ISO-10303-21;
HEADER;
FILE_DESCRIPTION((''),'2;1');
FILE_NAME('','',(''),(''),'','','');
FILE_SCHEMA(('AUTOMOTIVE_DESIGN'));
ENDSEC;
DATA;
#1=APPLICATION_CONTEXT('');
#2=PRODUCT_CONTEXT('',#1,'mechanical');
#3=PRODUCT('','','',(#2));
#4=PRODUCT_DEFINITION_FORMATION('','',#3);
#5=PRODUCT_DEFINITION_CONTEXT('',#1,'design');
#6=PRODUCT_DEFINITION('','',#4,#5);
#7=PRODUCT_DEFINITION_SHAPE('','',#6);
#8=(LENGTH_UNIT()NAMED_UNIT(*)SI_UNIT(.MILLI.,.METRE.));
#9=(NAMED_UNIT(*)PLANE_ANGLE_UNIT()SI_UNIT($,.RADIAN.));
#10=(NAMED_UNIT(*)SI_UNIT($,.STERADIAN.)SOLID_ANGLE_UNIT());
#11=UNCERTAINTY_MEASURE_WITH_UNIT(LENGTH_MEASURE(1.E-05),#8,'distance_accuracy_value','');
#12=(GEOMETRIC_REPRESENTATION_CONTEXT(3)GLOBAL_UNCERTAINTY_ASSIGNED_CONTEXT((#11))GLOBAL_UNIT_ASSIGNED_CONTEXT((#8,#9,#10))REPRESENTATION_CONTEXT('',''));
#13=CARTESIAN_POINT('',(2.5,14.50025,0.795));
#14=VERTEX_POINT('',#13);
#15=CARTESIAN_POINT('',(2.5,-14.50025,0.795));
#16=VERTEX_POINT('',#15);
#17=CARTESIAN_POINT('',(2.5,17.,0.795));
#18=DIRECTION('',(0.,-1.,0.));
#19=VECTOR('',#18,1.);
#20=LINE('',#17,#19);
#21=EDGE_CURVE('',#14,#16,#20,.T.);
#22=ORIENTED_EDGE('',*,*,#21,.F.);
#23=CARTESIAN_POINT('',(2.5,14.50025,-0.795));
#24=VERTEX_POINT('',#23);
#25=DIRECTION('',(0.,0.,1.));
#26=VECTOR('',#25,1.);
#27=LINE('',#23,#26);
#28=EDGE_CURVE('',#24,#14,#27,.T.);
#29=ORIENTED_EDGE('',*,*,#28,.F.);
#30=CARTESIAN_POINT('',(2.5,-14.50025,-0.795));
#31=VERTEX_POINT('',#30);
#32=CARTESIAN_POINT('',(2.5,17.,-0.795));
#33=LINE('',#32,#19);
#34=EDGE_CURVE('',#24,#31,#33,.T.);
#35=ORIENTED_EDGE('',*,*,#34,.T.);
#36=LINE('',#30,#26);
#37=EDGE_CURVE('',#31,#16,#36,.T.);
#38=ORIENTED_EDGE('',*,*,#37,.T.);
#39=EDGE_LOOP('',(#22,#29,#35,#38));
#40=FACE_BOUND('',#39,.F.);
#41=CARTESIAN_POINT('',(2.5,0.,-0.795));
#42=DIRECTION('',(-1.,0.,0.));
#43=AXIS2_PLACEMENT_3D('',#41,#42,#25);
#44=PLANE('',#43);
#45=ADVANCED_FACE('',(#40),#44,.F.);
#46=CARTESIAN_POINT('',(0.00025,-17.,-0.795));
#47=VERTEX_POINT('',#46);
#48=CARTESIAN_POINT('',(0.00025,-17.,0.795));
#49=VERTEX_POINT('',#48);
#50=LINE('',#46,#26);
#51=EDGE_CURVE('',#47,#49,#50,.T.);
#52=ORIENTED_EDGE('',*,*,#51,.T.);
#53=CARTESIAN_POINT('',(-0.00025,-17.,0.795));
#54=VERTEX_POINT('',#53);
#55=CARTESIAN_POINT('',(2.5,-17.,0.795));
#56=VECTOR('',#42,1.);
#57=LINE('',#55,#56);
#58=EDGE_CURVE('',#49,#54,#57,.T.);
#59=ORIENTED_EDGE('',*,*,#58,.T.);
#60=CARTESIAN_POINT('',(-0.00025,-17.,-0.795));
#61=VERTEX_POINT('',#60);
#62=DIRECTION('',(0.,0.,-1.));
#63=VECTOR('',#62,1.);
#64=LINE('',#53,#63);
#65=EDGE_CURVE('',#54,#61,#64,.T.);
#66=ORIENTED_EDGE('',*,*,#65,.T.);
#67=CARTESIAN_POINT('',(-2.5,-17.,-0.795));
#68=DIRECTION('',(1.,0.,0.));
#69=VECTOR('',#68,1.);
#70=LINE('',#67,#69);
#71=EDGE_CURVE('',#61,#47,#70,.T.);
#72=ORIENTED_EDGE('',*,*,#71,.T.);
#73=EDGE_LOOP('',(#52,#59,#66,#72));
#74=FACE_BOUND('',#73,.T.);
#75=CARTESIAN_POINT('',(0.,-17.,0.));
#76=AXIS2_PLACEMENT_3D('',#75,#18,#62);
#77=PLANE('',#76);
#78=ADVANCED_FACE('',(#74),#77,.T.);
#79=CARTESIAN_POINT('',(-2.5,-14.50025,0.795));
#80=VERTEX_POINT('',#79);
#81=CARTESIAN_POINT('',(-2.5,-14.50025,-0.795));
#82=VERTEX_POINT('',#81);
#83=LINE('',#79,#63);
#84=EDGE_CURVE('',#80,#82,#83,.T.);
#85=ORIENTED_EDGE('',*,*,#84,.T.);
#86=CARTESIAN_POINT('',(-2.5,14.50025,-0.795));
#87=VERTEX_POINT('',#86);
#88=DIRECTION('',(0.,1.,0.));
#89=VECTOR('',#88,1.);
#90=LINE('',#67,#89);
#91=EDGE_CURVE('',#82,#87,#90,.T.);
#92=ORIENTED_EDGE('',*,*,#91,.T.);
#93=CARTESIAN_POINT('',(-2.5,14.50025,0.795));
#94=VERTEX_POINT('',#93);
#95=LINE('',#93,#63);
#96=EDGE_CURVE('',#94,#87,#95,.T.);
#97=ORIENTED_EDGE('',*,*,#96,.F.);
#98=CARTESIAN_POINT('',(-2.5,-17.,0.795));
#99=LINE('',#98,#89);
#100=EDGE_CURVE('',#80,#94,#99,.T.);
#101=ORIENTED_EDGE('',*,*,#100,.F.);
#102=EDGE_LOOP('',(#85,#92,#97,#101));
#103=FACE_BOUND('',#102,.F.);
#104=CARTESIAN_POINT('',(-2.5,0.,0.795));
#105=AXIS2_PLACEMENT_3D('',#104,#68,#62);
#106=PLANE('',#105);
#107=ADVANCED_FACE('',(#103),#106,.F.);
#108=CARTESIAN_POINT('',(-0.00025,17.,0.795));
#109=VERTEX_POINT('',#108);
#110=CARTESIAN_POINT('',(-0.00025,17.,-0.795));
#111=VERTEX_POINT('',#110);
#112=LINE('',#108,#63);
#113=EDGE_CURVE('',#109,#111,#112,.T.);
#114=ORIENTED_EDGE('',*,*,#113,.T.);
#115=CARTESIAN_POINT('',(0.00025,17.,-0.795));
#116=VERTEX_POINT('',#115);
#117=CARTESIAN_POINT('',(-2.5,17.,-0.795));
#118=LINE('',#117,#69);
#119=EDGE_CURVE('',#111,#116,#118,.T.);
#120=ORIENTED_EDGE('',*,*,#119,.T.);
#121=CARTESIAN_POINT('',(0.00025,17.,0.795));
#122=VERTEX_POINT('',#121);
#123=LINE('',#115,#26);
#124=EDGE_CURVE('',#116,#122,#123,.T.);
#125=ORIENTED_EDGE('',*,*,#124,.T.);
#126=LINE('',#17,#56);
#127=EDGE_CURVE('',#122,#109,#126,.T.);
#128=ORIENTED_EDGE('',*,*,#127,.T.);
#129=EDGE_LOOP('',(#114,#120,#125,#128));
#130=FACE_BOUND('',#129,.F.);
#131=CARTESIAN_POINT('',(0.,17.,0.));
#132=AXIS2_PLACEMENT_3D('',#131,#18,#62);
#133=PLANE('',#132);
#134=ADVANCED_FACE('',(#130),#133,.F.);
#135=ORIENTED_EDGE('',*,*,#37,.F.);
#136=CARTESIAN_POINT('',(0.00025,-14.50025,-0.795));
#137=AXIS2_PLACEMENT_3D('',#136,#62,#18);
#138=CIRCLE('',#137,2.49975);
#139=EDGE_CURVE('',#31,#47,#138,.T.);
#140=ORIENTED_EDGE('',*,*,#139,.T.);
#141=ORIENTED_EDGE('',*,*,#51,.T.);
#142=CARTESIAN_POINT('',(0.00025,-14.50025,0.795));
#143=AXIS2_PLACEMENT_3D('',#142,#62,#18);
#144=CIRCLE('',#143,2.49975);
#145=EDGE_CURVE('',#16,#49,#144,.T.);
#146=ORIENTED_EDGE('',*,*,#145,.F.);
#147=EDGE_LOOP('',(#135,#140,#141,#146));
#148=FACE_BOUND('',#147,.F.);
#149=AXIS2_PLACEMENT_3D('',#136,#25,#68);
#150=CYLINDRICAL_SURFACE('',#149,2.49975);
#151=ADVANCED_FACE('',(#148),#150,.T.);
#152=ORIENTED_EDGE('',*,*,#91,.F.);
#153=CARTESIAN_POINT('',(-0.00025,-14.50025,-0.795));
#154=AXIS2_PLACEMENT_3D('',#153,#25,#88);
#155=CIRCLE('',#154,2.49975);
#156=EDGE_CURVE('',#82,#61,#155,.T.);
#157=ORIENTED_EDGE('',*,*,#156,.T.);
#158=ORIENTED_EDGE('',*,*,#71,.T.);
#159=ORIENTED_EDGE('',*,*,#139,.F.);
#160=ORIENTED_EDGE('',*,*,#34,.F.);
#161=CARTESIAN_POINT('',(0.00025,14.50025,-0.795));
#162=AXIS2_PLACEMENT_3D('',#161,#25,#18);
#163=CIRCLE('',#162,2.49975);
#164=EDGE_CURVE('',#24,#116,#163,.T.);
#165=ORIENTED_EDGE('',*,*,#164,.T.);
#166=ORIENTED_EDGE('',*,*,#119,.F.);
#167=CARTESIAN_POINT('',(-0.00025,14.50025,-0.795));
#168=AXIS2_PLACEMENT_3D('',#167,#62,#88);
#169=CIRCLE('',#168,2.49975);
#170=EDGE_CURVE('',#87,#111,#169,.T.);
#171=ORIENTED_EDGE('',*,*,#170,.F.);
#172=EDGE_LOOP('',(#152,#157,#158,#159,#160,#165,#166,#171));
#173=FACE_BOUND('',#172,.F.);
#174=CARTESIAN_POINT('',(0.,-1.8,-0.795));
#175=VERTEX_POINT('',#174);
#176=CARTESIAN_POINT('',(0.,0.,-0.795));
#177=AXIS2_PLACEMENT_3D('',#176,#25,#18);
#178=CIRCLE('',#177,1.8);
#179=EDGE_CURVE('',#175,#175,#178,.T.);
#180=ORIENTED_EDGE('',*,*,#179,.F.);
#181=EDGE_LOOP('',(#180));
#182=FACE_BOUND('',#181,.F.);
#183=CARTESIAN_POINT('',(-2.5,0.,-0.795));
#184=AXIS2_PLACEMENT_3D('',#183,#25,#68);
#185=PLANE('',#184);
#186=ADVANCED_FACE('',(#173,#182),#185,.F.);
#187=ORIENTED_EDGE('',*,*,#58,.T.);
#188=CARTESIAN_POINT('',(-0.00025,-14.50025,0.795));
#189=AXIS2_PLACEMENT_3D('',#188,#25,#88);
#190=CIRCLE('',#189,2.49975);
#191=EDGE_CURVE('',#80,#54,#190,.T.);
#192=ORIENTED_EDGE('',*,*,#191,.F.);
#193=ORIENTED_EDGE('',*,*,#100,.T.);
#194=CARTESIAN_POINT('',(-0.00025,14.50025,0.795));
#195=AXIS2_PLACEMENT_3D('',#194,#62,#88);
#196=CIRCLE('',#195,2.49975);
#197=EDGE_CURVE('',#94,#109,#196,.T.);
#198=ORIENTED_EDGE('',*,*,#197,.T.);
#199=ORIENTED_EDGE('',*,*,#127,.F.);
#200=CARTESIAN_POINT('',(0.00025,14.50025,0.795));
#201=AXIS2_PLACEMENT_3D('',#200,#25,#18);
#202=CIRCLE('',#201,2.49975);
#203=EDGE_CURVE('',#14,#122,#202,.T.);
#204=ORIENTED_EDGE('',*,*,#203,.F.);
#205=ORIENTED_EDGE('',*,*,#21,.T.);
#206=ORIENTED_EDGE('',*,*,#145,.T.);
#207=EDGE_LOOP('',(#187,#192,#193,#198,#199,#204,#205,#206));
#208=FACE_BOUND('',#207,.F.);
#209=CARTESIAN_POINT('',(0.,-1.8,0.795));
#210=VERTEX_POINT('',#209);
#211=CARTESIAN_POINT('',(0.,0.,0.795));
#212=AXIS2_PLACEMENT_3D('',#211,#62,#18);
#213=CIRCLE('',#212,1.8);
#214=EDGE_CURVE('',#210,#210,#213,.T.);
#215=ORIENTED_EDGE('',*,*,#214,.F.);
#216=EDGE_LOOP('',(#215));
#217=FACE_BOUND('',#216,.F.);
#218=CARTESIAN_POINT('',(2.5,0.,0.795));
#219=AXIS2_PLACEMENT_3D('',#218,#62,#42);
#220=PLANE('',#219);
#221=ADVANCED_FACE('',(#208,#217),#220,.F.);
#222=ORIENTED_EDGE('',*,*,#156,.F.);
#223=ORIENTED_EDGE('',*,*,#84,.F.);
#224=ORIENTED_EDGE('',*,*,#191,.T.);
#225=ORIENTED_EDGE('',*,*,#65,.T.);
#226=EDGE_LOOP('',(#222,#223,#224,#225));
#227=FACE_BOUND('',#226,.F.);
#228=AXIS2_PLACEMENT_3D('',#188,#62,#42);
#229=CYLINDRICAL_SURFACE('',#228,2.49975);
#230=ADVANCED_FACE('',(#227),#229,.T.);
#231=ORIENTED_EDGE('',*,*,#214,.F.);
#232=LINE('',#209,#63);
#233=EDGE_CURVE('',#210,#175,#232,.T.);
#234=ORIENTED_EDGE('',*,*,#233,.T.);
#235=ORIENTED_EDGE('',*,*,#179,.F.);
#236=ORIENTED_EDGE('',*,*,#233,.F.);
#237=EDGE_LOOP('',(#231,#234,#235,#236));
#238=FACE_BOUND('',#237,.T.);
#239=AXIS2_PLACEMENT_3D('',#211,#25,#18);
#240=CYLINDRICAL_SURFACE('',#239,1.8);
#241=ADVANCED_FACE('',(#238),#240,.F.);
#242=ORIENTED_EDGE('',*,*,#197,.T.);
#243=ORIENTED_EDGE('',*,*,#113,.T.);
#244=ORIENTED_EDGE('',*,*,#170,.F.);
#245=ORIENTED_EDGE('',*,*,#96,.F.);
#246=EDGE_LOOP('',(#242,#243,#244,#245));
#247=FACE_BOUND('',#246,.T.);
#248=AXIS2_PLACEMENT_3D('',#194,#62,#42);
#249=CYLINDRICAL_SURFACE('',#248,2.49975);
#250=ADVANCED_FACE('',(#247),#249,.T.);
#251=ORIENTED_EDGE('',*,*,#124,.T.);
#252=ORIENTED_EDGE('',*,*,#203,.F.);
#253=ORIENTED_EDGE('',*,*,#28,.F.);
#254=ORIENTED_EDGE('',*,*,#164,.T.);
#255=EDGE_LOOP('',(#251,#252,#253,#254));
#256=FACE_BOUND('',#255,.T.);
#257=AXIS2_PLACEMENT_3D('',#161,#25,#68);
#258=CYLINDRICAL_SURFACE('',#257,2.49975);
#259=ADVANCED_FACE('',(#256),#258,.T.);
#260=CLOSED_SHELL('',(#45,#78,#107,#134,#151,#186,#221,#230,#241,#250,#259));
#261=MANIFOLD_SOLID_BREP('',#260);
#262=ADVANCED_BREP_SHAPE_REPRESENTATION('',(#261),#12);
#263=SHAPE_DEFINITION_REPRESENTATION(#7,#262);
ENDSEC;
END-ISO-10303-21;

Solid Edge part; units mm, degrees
sketch "Sketch1" plane through (0, 0, 0) normal (0, -1, 0) x (1, 0, 0)
  line L0 (-2.5, -0.795) -> (2.5, -0.795)
  line L1 (2.5, -0.795) -> (2.5, 0.795)
  line L2 (2.5, 0.795) -> (-2.5, 0.795)
  line L3 (-2.5, 0.795) -> (-2.5, -0.795)
extrude "Protrusion1" add sketch "Sketch1" along normal mid plane 34
fillet "Round_2" radius 2.5 4 edges at (-2.5, -17, 0) (2.5, -17, 0) (2.5, 17, 0) (-2.5, 17, 0)
hole "Hole_1" at (0, 0, 0.795) direction (0, 0, -1) diameter 3.6 end through all
